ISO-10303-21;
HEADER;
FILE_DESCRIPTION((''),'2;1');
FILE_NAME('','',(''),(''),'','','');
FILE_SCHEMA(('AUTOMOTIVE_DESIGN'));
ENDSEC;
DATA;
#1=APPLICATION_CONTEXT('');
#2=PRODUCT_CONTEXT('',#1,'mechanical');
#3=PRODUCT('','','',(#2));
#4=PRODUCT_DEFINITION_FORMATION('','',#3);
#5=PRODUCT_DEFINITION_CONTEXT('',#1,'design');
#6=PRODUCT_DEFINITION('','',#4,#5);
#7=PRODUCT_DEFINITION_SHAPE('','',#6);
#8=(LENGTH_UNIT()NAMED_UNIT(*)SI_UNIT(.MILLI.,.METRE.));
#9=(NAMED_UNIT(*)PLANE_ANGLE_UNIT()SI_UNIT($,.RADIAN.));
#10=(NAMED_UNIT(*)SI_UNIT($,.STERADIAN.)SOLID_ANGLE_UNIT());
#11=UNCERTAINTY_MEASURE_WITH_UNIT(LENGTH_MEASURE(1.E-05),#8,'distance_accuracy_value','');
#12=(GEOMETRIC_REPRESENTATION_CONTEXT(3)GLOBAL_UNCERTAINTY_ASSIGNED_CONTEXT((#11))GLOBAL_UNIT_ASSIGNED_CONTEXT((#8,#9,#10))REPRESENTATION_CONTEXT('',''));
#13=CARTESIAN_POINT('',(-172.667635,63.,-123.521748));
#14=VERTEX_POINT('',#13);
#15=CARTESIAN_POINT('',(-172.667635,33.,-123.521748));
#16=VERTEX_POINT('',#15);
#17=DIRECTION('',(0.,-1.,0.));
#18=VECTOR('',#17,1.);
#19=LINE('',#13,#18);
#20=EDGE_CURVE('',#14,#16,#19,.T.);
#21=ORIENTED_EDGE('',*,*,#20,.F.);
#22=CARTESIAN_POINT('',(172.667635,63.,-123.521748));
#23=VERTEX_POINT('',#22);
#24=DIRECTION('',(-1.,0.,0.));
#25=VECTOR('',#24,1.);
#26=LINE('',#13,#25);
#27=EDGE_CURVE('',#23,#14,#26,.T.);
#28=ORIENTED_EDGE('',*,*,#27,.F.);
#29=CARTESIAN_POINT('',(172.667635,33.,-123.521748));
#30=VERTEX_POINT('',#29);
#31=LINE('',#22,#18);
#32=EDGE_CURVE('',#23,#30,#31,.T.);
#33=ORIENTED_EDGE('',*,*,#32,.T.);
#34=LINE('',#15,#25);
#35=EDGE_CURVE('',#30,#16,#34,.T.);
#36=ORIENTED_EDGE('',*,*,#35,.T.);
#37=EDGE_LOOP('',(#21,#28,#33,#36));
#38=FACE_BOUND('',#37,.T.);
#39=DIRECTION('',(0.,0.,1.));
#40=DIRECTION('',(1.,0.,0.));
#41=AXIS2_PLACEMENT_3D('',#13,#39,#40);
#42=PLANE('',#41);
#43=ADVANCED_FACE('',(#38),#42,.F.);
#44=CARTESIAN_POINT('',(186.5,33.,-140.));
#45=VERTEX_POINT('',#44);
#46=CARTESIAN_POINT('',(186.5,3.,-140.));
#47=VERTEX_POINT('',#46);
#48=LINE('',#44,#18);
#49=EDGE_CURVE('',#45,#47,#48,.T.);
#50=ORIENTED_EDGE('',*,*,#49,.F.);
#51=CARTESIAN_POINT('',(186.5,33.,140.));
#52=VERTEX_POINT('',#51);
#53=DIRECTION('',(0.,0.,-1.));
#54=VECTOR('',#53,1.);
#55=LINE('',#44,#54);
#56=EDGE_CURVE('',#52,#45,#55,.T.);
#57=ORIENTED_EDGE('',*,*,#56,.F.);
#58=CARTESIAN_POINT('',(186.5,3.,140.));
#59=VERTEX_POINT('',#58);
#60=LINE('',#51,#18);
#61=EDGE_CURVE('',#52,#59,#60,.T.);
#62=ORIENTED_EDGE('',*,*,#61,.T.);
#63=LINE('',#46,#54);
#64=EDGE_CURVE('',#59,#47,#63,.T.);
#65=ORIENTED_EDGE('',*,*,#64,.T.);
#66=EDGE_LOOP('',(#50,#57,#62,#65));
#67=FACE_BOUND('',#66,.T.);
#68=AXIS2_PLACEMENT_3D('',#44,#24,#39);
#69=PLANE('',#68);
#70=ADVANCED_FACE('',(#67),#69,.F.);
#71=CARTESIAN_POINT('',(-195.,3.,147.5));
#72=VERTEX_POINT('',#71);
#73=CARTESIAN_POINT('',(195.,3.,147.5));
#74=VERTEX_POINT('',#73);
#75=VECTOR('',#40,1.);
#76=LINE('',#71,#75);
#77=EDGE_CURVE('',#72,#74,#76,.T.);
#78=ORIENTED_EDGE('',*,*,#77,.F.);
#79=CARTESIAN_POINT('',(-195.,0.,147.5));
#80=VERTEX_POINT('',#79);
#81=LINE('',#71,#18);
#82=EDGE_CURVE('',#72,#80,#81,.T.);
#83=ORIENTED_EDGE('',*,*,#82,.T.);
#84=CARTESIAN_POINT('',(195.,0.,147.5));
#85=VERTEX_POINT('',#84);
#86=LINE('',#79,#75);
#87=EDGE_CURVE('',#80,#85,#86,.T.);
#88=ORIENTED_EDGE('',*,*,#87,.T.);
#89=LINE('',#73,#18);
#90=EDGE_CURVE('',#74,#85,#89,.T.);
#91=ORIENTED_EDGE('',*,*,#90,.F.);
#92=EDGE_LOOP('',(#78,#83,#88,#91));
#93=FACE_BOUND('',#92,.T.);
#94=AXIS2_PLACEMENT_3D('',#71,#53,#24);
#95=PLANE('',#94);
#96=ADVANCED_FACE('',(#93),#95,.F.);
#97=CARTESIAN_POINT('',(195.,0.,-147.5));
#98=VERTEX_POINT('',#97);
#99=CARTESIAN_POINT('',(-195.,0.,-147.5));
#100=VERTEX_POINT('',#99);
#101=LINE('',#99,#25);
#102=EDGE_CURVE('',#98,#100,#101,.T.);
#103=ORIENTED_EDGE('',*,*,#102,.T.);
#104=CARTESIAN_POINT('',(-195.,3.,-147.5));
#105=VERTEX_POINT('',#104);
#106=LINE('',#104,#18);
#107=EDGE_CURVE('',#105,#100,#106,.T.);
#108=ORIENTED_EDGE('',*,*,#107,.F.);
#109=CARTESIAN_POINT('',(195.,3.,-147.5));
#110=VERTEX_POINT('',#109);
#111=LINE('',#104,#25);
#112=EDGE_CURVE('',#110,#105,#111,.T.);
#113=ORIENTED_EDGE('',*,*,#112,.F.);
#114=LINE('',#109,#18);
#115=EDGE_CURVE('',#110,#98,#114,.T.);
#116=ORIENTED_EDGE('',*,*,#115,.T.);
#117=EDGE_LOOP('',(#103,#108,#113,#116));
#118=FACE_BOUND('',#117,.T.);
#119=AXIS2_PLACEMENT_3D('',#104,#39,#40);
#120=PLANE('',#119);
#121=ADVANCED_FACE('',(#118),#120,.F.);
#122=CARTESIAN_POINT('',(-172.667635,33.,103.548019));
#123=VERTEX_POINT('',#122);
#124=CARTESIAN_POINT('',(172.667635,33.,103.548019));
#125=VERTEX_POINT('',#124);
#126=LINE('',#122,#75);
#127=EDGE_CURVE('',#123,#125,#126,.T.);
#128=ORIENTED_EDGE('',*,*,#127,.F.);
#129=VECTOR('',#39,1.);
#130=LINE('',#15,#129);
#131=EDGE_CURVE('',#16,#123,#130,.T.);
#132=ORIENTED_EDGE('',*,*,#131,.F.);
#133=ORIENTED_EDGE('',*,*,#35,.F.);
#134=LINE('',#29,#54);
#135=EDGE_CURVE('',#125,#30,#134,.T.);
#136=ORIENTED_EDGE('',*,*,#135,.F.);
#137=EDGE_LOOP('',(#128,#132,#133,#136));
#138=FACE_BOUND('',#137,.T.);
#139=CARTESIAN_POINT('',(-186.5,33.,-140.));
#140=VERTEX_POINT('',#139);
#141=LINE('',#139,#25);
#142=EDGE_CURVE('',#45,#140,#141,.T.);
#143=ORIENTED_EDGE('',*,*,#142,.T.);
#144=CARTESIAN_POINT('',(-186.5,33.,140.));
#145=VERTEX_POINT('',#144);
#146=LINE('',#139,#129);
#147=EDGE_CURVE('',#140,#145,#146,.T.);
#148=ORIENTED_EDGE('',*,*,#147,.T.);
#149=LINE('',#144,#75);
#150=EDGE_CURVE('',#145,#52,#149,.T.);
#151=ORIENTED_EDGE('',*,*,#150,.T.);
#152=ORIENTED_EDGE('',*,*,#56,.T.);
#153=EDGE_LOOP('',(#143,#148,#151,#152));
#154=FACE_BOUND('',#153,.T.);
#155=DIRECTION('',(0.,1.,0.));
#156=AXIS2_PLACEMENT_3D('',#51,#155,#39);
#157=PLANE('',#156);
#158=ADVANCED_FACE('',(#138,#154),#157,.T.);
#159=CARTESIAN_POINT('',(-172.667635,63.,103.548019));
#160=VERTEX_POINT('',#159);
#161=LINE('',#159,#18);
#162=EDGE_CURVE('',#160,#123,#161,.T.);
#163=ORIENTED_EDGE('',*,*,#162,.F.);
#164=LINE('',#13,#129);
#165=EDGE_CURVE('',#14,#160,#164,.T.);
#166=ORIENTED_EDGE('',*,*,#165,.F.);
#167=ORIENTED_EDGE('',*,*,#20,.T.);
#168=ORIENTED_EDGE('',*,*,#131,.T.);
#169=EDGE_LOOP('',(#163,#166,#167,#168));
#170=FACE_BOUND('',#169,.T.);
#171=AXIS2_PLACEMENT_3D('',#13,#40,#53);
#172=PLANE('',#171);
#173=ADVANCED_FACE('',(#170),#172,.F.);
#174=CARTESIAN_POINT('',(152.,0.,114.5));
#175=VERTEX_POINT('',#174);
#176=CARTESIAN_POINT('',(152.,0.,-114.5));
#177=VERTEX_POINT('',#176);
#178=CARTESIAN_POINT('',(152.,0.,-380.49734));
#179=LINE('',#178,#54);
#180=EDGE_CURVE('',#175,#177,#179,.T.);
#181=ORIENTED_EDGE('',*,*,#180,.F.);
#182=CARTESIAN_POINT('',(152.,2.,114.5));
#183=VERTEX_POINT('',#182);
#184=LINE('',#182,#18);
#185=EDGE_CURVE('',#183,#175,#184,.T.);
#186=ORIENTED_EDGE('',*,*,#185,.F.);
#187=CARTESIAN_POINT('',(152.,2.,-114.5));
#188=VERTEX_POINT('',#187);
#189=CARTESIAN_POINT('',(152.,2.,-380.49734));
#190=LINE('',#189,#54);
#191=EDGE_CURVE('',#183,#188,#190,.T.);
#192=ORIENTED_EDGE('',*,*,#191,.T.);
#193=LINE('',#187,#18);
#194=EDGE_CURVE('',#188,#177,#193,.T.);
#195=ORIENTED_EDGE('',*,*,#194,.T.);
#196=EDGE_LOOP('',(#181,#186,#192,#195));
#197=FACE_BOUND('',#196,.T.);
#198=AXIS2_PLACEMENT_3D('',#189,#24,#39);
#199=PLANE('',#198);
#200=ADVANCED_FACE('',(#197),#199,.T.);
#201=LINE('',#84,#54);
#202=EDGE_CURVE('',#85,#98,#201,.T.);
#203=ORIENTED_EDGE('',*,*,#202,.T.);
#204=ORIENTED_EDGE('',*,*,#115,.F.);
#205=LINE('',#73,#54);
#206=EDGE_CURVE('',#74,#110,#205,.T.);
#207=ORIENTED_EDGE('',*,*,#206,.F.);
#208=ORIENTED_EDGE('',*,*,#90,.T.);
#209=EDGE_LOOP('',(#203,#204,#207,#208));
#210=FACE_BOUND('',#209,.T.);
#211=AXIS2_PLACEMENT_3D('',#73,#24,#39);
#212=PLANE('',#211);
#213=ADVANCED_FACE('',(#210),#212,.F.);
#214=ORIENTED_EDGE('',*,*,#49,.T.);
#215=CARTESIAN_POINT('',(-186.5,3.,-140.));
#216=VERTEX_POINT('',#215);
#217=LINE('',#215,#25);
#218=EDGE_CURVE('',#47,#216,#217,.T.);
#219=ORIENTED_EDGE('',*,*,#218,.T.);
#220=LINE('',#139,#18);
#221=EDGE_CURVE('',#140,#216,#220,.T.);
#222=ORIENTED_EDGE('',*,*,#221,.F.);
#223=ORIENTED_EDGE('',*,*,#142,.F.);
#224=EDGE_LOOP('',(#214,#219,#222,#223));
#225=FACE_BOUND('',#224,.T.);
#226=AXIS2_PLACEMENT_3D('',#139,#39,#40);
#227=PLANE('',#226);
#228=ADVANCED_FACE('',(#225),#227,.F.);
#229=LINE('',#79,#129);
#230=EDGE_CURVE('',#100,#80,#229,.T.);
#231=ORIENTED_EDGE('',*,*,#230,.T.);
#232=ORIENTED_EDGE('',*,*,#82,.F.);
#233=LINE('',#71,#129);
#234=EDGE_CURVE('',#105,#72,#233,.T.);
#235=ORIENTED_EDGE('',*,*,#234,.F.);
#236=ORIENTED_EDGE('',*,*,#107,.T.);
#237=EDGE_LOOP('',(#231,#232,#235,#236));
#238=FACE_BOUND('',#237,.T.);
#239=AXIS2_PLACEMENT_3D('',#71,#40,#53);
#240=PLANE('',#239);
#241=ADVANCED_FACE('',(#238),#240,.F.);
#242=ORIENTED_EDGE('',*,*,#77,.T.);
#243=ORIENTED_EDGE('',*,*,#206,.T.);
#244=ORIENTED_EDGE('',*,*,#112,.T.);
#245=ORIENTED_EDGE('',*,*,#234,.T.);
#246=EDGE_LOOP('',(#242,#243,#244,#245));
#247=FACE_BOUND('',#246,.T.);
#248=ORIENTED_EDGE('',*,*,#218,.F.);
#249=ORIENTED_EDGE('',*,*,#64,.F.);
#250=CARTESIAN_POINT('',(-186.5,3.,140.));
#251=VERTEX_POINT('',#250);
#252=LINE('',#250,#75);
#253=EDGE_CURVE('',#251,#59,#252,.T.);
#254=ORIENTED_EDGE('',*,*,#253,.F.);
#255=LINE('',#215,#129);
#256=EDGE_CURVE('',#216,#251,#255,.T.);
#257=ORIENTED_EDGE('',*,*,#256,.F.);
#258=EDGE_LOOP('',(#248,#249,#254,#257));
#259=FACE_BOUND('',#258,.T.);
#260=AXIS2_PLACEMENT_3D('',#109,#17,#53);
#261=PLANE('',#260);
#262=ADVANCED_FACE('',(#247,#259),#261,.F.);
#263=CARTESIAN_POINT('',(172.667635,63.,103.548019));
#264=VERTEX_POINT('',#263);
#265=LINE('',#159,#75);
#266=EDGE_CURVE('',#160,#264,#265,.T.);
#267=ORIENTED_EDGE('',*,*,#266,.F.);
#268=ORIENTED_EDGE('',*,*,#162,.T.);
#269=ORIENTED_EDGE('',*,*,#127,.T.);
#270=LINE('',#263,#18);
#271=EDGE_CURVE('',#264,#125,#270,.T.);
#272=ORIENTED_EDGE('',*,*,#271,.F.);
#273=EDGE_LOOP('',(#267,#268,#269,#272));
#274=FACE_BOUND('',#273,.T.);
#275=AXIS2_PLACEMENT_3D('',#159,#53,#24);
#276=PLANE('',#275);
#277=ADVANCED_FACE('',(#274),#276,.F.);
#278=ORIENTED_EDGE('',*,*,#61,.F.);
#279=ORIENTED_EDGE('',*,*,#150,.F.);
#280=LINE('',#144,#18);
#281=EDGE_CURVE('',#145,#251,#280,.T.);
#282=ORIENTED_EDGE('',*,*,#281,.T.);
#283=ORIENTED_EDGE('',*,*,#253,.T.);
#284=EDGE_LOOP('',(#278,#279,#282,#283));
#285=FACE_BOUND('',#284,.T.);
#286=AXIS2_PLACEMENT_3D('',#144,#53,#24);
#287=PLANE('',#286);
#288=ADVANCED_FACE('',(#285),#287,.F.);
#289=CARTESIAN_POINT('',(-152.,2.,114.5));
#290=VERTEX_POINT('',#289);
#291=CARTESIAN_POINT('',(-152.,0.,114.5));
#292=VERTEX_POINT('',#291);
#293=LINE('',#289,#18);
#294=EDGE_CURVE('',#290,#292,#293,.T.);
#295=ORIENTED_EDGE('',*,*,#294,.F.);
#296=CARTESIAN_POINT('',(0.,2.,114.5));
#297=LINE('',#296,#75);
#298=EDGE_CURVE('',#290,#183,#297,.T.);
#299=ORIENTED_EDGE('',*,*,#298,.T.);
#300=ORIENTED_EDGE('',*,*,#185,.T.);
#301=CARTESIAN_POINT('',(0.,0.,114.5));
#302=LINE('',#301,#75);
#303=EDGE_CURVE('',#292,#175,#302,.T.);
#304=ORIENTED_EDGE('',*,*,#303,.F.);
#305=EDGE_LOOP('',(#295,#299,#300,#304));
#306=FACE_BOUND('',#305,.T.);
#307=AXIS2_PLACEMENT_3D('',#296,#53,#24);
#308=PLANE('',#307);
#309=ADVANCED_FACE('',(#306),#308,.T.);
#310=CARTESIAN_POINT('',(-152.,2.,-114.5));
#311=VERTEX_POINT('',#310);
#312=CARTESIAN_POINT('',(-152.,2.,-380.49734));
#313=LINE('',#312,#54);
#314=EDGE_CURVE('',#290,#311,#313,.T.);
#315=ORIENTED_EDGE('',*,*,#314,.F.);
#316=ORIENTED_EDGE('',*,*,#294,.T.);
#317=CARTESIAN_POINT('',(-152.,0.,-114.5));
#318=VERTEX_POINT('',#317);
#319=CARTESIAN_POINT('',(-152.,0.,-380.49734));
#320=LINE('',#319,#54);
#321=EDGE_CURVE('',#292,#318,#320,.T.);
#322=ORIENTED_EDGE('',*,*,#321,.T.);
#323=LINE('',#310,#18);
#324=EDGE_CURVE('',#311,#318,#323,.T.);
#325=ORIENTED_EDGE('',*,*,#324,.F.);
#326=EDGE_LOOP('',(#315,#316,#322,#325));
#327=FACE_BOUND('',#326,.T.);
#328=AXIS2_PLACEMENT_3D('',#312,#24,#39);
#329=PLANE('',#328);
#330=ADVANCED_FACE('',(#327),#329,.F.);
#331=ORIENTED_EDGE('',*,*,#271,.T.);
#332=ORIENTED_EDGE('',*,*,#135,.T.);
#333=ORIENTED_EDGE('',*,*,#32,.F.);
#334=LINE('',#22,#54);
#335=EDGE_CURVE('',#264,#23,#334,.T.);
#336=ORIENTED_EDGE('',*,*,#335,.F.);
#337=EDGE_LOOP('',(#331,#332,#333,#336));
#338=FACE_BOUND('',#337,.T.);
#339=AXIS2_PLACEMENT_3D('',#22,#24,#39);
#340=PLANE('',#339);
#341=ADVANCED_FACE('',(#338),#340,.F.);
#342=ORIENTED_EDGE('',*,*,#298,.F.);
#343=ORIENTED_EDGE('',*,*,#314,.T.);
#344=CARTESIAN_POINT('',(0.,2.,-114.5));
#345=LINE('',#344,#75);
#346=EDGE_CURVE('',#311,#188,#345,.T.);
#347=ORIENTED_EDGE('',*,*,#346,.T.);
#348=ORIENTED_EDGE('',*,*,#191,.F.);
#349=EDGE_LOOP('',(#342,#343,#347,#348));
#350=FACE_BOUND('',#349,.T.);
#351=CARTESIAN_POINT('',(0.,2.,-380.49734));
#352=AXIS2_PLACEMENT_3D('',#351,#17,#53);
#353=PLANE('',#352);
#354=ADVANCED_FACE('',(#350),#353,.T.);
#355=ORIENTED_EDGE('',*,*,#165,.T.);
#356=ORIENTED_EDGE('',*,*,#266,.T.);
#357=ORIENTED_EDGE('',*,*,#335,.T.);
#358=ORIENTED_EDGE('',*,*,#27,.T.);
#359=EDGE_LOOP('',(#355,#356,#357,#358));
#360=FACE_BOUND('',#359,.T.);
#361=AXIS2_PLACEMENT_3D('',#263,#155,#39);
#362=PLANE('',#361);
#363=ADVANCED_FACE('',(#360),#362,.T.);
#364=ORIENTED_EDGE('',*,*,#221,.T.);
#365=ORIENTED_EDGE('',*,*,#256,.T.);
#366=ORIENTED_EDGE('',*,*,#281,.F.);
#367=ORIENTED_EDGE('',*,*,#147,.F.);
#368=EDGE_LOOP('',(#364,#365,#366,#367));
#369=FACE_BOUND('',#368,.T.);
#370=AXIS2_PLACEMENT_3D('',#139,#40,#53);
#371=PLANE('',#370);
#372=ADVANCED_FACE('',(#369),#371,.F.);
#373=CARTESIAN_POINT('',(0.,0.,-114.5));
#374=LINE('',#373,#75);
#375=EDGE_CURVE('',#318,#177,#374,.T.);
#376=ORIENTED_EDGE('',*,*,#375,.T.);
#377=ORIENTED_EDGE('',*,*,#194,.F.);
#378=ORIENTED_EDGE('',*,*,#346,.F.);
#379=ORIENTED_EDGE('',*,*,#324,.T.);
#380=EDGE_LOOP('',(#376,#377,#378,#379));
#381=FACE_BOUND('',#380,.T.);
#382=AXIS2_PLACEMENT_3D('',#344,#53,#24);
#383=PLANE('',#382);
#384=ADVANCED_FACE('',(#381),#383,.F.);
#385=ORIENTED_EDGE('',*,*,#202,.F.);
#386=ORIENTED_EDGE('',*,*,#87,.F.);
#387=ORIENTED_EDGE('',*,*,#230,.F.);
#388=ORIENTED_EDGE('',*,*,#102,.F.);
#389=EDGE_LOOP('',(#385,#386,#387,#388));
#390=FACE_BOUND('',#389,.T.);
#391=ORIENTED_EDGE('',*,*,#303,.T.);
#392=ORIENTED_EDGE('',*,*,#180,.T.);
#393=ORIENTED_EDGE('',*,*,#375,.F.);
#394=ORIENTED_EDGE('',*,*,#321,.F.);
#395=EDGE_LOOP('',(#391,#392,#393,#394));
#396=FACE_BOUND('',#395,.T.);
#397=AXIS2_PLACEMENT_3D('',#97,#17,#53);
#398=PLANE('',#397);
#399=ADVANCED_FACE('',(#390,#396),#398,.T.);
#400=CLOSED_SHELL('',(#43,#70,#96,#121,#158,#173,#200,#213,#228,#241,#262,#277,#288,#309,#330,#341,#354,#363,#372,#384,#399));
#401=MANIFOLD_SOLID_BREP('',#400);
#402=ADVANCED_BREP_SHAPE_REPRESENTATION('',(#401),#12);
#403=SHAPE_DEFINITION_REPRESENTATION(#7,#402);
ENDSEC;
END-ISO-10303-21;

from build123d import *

# Parameters (mm, degrees)
SKETCH_1_W          = 390
SKETCH_1_H          = 295
EXTRUDE_1_DEPTH     = 3
SKETCH_2_W          = 373
SKETCH_2_H          = 280
EXTRUDE_2_DEPTH     = 30
SKETCH_4_W          = 345.33527023
SKETCH_4_H          = 227.069766727
EXTRUDE_3_DEPTH     = 30
SKETCH_5_W          = 304
SKETCH_5_H          = 229
CUT_EXTRUDE_4_DEPTH = 2


with BuildPart() as part:
    # 草图1 → 拉伸1 (new body)
    with BuildSketch(Plane(origin=(0, 0, 0), x_dir=(1, 0, 0), z_dir=(0, 1, 0))):
        Rectangle(SKETCH_1_W, SKETCH_1_H)
    extrude(amount=EXTRUDE_1_DEPTH)

    # 草图2 → 拉伸2 (add)
    with BuildSketch(Plane(origin=(0, 3, 0), x_dir=(1, 0, 0), z_dir=(0, 1, 0))):
        Rectangle(SKETCH_2_W, SKETCH_2_H)
    extrude(amount=EXTRUDE_2_DEPTH)

    # 草图4 → 拉伸3 (add)
    with BuildSketch(Plane(origin=(0, 33, 0), x_dir=(1, 0, 0), z_dir=(0, 1, 0))):
        with Locations((0, 9.986864741)):
            Rectangle(SKETCH_4_W, SKETCH_4_H)
    extrude(amount=EXTRUDE_3_DEPTH)

    # 草图5 → 拉伸4 (cut)
    with BuildSketch(Plane.XZ):
        Rectangle(SKETCH_5_W, SKETCH_5_H)
    extrude(amount=-CUT_EXTRUDE_4_DEPTH, mode=Mode.SUBTRACT)


solid = part.part
